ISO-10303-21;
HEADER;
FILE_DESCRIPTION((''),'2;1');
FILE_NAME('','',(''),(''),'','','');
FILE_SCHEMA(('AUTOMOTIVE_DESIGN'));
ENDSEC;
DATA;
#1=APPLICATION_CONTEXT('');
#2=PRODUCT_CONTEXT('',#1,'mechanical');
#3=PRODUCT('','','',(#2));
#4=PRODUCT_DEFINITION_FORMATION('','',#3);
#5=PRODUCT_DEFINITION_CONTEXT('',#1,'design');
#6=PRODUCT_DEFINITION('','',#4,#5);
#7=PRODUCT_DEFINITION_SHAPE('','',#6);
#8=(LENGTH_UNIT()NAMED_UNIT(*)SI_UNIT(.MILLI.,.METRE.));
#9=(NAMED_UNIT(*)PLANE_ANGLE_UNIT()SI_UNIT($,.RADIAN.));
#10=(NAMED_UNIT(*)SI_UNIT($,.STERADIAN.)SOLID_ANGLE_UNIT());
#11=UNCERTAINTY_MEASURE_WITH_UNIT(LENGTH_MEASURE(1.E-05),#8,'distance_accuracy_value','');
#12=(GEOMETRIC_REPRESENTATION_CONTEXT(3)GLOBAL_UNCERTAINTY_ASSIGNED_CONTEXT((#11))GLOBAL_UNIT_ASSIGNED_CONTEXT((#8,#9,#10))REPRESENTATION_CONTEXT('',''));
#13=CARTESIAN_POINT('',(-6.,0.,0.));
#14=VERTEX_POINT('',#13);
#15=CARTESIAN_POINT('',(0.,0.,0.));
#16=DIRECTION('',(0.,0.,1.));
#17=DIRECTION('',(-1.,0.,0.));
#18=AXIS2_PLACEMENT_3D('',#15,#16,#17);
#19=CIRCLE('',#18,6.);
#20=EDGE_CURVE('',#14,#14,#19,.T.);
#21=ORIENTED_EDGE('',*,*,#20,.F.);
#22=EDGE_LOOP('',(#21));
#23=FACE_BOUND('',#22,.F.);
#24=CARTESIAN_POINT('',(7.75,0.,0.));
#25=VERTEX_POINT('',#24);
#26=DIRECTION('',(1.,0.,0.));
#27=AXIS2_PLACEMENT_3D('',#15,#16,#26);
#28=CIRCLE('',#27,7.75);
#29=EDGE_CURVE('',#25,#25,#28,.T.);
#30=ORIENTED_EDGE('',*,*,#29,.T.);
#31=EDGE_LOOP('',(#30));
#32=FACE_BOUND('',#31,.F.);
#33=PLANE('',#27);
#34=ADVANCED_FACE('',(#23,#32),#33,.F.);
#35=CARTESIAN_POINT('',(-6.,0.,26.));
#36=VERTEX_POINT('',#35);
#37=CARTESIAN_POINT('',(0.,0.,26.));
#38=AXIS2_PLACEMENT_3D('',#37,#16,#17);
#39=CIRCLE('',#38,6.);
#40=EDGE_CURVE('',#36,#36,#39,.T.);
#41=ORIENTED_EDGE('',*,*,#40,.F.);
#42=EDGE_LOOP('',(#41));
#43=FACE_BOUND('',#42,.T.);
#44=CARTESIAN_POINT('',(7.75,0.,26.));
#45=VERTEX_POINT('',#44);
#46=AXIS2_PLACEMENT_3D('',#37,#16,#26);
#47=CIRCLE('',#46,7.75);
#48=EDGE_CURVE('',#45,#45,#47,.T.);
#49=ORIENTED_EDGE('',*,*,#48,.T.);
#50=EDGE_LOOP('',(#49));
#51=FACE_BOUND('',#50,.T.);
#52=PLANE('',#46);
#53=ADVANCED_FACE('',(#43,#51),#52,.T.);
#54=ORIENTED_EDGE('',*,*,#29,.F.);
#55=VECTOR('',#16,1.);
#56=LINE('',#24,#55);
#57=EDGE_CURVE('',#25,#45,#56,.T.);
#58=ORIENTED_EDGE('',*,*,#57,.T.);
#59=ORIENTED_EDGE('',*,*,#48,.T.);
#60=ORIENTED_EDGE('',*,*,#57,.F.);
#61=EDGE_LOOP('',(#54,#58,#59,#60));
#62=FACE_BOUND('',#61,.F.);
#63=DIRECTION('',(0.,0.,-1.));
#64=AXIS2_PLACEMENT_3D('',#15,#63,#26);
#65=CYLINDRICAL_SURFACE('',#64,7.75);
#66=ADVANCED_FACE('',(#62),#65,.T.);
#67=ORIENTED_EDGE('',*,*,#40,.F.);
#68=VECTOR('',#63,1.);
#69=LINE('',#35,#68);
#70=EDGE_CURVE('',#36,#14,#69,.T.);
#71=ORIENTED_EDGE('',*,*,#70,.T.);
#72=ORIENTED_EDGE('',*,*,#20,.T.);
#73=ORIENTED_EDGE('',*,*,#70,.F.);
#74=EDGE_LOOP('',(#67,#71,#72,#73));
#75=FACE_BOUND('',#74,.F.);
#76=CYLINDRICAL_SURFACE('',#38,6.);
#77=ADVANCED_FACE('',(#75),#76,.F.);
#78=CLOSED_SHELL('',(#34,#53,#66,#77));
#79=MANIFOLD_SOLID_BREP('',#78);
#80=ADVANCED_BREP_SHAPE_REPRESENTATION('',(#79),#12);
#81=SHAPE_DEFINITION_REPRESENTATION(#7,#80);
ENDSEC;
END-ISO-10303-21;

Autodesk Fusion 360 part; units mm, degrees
sketch "Sketch1" plane through (0, 0, 0) normal (0, 0, 1) x (1, 0, 0)
  circle A0 centre (0, 0) radius 7.75
  dimension "d1" = 15.5
extrude "Extrude1" add sketch "Sketch1" along normal blind 26
sketch "Sketch2" plane through (0, 0, 26) normal (0, 0, 1) x (-1, 0, 0)
  circle A0 centre (0, 0) radius 7.75
  circle A1 centre (0, 0) radius 6
  dimension "d4" = 12
extrude "Extrude2" cut sketch "Sketch2" against normal blind 26 contours A1
